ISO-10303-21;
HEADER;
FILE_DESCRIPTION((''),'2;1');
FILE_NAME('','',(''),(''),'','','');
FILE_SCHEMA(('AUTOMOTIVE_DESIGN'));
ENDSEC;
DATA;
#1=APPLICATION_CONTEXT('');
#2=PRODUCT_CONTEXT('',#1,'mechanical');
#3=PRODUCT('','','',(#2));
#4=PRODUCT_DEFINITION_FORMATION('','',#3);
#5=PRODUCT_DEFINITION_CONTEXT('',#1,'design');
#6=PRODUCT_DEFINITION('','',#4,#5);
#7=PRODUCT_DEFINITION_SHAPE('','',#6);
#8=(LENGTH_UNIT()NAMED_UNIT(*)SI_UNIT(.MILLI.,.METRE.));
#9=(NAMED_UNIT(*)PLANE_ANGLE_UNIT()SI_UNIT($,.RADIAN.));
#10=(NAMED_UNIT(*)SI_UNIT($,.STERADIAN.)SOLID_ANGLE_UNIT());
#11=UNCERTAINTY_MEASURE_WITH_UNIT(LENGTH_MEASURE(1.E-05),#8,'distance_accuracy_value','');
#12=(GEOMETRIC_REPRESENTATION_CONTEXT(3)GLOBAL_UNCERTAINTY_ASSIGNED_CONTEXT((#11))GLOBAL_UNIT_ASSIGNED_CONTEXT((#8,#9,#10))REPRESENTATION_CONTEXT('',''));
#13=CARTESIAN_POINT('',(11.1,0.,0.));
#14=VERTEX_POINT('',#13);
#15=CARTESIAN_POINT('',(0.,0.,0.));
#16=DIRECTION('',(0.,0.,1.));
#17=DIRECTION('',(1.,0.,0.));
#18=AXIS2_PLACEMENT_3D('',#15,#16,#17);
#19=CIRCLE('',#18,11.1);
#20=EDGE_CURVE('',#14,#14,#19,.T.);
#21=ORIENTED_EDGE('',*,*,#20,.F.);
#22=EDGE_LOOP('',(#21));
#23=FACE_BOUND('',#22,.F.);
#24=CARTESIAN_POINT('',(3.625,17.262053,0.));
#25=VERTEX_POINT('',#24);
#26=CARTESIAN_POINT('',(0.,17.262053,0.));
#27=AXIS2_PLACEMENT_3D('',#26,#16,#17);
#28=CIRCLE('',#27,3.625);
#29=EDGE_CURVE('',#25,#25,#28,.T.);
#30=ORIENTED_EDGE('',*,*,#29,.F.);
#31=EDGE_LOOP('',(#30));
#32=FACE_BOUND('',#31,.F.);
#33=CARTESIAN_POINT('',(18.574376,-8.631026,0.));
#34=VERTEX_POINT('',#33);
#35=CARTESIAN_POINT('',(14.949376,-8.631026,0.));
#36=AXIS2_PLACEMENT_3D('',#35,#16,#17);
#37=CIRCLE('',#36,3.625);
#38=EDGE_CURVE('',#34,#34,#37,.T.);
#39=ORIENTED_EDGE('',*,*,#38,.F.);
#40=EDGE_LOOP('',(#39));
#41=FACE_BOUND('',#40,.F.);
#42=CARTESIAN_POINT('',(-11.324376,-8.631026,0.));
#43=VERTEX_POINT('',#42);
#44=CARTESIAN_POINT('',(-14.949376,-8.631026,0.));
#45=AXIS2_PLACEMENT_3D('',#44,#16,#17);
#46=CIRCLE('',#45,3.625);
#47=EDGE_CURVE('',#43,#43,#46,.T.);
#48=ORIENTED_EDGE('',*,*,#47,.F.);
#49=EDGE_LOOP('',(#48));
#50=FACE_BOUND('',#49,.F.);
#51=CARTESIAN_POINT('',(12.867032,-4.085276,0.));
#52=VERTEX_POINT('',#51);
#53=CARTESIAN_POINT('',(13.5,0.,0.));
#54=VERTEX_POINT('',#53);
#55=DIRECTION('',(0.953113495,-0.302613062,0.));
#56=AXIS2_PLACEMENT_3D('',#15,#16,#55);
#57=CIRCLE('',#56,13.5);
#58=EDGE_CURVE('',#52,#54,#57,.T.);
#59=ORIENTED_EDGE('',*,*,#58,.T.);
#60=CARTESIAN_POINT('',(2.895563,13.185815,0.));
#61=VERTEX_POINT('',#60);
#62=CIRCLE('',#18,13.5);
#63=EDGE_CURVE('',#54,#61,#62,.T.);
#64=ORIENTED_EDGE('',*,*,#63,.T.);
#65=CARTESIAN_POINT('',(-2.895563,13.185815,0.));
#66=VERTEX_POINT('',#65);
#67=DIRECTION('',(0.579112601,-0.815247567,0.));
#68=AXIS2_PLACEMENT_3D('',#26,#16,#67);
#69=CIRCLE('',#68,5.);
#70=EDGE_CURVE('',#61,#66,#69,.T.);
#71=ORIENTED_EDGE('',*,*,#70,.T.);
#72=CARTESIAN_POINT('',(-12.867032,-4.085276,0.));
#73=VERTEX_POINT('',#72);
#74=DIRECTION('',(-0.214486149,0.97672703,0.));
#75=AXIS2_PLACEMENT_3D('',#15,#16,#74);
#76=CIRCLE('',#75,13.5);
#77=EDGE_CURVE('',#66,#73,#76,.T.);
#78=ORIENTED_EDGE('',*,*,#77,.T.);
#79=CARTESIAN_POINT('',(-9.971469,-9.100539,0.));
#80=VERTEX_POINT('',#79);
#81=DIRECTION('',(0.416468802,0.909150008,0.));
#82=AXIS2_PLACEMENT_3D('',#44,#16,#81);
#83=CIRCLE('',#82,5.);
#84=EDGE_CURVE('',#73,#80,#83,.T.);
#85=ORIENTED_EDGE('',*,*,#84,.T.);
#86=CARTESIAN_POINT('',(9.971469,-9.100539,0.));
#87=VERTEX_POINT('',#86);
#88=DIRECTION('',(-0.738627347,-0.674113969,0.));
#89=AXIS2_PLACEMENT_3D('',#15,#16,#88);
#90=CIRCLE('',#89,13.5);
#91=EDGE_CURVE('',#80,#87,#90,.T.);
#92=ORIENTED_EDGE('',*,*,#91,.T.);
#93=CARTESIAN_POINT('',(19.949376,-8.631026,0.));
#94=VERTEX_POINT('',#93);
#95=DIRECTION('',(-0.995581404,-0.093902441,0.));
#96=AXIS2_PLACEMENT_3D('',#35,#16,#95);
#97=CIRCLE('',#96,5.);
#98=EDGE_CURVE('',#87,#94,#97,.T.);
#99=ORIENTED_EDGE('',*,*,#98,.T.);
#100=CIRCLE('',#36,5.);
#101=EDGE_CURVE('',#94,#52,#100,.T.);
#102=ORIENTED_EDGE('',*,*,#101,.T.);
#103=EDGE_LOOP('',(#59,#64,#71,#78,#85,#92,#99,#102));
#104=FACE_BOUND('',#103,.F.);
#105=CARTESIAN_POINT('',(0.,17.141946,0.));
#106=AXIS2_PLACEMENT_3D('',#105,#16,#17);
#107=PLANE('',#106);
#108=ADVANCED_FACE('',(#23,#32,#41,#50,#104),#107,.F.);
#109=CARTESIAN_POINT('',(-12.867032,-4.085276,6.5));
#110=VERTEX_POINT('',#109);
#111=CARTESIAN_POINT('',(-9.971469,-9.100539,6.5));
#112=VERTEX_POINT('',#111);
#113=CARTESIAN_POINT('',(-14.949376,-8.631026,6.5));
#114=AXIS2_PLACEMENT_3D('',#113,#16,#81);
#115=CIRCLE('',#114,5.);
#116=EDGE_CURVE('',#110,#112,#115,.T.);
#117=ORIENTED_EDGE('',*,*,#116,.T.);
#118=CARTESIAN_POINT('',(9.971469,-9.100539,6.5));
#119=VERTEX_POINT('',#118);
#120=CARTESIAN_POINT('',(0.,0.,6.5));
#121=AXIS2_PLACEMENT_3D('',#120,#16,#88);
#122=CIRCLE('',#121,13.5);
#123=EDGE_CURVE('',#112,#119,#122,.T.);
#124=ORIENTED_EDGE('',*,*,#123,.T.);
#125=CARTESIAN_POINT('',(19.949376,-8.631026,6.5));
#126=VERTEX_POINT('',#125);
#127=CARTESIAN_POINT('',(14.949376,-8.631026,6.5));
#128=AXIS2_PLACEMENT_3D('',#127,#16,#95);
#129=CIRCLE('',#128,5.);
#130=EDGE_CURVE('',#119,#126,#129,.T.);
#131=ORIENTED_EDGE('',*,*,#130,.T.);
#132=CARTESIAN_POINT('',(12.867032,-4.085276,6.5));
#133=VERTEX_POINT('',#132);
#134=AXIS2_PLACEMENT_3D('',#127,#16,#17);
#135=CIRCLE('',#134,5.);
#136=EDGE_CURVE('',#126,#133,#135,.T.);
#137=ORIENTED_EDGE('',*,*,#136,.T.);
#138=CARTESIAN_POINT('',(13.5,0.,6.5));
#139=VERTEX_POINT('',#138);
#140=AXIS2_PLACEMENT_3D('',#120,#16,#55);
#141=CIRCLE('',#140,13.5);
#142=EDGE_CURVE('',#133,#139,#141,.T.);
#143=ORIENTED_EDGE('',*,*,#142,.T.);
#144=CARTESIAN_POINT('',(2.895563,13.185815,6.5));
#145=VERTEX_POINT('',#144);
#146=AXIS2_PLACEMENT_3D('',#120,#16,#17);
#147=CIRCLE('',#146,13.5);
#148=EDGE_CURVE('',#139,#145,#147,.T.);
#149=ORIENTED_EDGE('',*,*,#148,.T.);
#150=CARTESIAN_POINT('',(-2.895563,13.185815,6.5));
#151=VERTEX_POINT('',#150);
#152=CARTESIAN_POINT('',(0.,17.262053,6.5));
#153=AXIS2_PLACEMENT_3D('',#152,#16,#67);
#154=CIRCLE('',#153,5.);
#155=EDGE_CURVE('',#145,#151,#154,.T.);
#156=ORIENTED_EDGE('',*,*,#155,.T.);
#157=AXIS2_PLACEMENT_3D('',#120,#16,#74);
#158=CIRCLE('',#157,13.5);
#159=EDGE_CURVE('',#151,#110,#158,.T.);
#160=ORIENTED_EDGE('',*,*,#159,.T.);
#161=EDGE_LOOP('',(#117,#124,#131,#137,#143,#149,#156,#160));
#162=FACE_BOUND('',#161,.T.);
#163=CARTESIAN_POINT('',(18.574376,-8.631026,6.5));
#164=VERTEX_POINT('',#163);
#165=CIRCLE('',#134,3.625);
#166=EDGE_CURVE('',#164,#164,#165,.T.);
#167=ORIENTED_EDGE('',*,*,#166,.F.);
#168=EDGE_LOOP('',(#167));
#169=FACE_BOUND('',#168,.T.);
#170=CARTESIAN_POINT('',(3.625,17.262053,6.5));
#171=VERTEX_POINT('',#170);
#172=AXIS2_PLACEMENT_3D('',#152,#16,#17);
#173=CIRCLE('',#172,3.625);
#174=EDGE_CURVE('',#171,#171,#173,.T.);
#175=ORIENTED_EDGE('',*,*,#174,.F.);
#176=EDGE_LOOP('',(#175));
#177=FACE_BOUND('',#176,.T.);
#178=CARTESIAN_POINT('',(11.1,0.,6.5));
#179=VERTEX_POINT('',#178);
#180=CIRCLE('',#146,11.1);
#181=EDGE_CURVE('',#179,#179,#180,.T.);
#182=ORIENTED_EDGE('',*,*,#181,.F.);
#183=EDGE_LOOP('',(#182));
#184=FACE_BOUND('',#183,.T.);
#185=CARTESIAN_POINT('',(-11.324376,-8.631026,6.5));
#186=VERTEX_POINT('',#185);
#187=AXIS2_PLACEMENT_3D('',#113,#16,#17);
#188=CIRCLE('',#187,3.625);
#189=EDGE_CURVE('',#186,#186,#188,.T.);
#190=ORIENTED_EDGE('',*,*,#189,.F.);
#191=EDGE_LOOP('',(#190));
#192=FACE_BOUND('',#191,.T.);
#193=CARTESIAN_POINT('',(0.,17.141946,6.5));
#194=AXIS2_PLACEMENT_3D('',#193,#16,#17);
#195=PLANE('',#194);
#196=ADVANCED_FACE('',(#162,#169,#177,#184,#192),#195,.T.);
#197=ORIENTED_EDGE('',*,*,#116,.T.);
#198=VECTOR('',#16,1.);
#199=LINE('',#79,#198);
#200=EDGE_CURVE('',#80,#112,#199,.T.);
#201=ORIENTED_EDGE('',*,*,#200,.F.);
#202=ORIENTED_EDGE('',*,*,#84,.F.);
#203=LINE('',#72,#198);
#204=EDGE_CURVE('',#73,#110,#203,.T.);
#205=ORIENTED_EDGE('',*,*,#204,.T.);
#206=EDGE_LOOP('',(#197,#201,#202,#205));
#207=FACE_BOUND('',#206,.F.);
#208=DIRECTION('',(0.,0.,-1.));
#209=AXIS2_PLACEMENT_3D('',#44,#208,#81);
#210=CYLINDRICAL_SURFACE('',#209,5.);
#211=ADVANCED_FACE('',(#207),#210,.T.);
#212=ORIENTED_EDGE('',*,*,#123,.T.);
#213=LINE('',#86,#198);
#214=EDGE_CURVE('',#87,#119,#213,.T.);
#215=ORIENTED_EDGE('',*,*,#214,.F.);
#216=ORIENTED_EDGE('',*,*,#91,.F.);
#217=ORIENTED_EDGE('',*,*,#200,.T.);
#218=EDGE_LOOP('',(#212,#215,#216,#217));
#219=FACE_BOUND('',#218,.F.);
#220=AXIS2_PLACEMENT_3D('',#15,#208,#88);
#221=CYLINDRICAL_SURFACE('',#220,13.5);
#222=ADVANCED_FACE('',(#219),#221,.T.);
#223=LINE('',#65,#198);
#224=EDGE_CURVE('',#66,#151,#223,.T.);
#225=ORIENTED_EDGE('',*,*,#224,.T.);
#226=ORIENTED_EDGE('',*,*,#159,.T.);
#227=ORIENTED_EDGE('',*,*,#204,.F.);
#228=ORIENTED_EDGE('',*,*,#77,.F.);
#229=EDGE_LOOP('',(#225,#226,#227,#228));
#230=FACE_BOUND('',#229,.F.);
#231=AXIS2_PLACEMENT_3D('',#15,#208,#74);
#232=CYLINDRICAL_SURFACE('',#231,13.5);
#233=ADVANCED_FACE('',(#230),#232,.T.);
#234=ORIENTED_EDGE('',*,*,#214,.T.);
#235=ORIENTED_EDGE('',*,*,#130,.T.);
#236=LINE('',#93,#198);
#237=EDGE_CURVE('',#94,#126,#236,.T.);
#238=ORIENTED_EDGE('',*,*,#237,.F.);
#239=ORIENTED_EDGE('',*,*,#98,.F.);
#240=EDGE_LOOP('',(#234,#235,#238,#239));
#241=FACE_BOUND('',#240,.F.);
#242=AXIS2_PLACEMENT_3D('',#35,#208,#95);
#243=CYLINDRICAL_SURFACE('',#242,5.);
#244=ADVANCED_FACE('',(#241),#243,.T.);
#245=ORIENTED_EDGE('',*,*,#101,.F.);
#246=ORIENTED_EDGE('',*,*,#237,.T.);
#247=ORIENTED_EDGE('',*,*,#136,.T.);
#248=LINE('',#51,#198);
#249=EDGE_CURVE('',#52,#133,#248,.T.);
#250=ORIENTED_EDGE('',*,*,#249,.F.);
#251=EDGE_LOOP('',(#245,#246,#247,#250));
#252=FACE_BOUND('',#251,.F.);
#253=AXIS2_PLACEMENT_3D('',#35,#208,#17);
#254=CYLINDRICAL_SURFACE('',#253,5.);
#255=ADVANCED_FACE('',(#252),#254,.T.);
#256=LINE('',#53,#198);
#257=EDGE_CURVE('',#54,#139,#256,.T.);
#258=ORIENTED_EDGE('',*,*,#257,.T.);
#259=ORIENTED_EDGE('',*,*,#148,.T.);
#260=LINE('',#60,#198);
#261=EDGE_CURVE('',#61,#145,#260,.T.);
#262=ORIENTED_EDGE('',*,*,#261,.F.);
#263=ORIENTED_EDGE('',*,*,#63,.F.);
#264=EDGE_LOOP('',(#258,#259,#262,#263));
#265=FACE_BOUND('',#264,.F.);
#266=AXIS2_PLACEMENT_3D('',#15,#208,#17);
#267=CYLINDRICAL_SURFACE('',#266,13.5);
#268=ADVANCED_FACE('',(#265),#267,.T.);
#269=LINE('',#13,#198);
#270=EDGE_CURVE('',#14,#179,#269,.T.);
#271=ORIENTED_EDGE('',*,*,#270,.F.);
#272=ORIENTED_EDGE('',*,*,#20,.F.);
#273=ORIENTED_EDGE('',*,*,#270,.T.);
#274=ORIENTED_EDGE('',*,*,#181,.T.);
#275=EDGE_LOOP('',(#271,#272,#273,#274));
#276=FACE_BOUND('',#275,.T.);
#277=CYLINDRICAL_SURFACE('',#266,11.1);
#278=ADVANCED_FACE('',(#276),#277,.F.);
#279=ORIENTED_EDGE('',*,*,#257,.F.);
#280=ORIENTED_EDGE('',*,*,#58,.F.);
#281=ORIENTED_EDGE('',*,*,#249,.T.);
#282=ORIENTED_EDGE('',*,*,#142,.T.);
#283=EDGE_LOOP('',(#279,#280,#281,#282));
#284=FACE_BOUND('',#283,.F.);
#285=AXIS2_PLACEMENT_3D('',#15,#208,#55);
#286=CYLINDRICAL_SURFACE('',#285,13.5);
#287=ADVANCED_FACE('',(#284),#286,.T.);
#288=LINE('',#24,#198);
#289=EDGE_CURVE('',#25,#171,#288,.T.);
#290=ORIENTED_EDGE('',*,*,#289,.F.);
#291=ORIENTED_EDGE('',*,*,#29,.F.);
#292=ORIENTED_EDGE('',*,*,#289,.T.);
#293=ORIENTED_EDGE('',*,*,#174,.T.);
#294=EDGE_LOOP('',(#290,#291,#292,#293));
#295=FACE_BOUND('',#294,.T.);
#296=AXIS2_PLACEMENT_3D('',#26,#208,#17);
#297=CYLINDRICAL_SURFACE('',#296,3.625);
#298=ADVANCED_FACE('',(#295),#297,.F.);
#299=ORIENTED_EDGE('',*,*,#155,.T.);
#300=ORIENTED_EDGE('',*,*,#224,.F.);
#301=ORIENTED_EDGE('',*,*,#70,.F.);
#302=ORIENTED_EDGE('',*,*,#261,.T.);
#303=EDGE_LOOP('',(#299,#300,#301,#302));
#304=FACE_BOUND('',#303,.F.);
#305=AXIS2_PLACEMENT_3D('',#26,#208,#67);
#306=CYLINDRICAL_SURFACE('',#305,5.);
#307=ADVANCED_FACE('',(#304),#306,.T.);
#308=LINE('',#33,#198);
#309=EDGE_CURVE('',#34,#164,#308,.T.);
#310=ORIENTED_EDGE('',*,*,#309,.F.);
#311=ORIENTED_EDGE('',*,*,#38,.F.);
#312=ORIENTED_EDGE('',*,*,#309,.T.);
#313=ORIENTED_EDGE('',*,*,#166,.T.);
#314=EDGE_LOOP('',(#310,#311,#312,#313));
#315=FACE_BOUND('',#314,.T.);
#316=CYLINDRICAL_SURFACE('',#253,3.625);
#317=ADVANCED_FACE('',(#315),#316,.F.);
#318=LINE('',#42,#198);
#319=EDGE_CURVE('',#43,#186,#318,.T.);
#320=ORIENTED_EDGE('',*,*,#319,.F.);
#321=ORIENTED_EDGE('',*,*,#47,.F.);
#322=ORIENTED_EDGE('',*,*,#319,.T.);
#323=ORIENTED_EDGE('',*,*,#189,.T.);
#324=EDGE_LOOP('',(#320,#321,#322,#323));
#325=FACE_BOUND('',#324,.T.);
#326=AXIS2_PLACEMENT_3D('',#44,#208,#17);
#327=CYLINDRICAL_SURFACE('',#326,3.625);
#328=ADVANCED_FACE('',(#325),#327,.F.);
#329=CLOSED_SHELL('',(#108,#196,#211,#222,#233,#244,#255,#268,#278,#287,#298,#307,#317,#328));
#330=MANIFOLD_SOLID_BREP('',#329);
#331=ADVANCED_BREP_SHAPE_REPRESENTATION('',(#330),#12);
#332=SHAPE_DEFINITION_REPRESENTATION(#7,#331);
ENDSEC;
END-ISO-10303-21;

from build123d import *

# Parameters (mm, degrees)
F0_R     = 3.625
F0_R_2   = 11.1
F1_DEPTH = 6.5


with BuildPart() as f1:
    # F0 (on Top) → F1 (new body)
    with BuildSketch(Plane.XY):
        with BuildLine():
            ThreePointArc((-2.8955630067, 13.1858149113), (0, 13.5), (2.8955630067, 13.1858149113))
            ThreePointArc((2.8955630067, 13.1858149113), (4.4428490315, 14.9683455961), (5, 17.2620527446))
            ThreePointArc((5, 17.2620527446), (-2.2937071485, 21.7049017761), (-2.8955630067, 13.1858149113))
        make_face()
        with Locations((0, 17.2620527446)):
            Circle(F0_R, mode=Mode.SUBTRACT)
        with BuildLine():
            ThreePointArc((19.9493761983, -8.6310263723), (17.6501427505, -4.4231931971), (12.8670321861, -4.0852763336))
            ThreePointArc((12.8670321861, -4.0852763336), (11.6913429511, -6.75), (9.9714691794, -9.1005385777))
            ThreePointArc((9.9714691794, -9.1005385777), (15.1843920546, -13.625500073), (19.9493761983, -8.6310263723))
        make_face()
        with Locations((14.9493761983, -8.6310263723)):
            Circle(F0_R, mode=Mode.SUBTRACT)
        with BuildLine():
            ThreePointArc((12.8670321861, -4.0852763336), (13.3408195871, -2.0670105814), (13.5, 0))
            ThreePointArc((13.5, 0), (10.519983379, 8.460493467), (2.8955630067, 13.1858149113))
            ThreePointArc((2.8955630067, 13.1858149113), (0, 12.2620527446), (-2.8955630067, 13.1858149113))
            ThreePointArc((-2.8955630067, 13.1858149113), (-11.6913429511, 6.75), (-12.8670321861, -4.0852763336))
            ThreePointArc((-12.8670321861, -4.0852763336), (-10.7415430231, -5.9302598201), (-9.9493761983, -8.6310263723))
            ThreePointArc((-9.9493761983, -8.6310263723), (-9.9549024976, -8.8660422286), (-9.9714691794, -9.1005385777))
            ThreePointArc((-9.9714691794, -9.1005385777), (0, -13.5), (9.9714691794, -9.1005385777))
            ThreePointArc((9.9714691794, -9.1005385777), (10.6192491794, -6.1310263723), (12.8670321861, -4.0852763336))
        make_face()
        Circle(F0_R_2, mode=Mode.SUBTRACT)
        with BuildLine():
            ThreePointArc((-9.9714691794, -9.1005385777), (-11.6913429511, -6.75), (-12.8670321861, -4.0852763336))
            ThreePointArc((-12.8670321861, -4.0852763336), (-19.2795032172, -11.1310263723), (-9.9714691794, -9.1005385777))
        make_face()
        with Locations((-14.9493761983, -8.6310263723)):
            Circle(F0_R, mode=Mode.SUBTRACT)
        with BuildLine():
            ThreePointArc((9.9714691794, -9.1005385777), (11.6913429511, -6.75), (12.8670321861, -4.0852763336))
            ThreePointArc((12.8670321861, -4.0852763336), (10.6192491794, -6.1310263723), (9.9714691794, -9.1005385777))
        make_face()
        with BuildLine():
            ThreePointArc((-2.8955630067, 13.1858149113), (0, 12.2620527446), (2.8955630067, 13.1858149113))
            ThreePointArc((2.8955630067, 13.1858149113), (0, 13.5), (-2.8955630067, 13.1858149113))
        make_face()
        with BuildLine():
            ThreePointArc((-9.9493761983, -8.6310263723), (-10.7415430231, -5.9302598201), (-12.8670321861, -4.0852763336))
            ThreePointArc((-12.8670321861, -4.0852763336), (-11.6913429511, -6.75), (-9.9714691794, -9.1005385777))
            ThreePointArc((-9.9714691794, -9.1005385777), (-9.9549024976, -8.8660422286), (-9.9493761983, -8.6310263723))
        make_face()
    extrude(amount=F1_DEPTH)


solid = f1.part
